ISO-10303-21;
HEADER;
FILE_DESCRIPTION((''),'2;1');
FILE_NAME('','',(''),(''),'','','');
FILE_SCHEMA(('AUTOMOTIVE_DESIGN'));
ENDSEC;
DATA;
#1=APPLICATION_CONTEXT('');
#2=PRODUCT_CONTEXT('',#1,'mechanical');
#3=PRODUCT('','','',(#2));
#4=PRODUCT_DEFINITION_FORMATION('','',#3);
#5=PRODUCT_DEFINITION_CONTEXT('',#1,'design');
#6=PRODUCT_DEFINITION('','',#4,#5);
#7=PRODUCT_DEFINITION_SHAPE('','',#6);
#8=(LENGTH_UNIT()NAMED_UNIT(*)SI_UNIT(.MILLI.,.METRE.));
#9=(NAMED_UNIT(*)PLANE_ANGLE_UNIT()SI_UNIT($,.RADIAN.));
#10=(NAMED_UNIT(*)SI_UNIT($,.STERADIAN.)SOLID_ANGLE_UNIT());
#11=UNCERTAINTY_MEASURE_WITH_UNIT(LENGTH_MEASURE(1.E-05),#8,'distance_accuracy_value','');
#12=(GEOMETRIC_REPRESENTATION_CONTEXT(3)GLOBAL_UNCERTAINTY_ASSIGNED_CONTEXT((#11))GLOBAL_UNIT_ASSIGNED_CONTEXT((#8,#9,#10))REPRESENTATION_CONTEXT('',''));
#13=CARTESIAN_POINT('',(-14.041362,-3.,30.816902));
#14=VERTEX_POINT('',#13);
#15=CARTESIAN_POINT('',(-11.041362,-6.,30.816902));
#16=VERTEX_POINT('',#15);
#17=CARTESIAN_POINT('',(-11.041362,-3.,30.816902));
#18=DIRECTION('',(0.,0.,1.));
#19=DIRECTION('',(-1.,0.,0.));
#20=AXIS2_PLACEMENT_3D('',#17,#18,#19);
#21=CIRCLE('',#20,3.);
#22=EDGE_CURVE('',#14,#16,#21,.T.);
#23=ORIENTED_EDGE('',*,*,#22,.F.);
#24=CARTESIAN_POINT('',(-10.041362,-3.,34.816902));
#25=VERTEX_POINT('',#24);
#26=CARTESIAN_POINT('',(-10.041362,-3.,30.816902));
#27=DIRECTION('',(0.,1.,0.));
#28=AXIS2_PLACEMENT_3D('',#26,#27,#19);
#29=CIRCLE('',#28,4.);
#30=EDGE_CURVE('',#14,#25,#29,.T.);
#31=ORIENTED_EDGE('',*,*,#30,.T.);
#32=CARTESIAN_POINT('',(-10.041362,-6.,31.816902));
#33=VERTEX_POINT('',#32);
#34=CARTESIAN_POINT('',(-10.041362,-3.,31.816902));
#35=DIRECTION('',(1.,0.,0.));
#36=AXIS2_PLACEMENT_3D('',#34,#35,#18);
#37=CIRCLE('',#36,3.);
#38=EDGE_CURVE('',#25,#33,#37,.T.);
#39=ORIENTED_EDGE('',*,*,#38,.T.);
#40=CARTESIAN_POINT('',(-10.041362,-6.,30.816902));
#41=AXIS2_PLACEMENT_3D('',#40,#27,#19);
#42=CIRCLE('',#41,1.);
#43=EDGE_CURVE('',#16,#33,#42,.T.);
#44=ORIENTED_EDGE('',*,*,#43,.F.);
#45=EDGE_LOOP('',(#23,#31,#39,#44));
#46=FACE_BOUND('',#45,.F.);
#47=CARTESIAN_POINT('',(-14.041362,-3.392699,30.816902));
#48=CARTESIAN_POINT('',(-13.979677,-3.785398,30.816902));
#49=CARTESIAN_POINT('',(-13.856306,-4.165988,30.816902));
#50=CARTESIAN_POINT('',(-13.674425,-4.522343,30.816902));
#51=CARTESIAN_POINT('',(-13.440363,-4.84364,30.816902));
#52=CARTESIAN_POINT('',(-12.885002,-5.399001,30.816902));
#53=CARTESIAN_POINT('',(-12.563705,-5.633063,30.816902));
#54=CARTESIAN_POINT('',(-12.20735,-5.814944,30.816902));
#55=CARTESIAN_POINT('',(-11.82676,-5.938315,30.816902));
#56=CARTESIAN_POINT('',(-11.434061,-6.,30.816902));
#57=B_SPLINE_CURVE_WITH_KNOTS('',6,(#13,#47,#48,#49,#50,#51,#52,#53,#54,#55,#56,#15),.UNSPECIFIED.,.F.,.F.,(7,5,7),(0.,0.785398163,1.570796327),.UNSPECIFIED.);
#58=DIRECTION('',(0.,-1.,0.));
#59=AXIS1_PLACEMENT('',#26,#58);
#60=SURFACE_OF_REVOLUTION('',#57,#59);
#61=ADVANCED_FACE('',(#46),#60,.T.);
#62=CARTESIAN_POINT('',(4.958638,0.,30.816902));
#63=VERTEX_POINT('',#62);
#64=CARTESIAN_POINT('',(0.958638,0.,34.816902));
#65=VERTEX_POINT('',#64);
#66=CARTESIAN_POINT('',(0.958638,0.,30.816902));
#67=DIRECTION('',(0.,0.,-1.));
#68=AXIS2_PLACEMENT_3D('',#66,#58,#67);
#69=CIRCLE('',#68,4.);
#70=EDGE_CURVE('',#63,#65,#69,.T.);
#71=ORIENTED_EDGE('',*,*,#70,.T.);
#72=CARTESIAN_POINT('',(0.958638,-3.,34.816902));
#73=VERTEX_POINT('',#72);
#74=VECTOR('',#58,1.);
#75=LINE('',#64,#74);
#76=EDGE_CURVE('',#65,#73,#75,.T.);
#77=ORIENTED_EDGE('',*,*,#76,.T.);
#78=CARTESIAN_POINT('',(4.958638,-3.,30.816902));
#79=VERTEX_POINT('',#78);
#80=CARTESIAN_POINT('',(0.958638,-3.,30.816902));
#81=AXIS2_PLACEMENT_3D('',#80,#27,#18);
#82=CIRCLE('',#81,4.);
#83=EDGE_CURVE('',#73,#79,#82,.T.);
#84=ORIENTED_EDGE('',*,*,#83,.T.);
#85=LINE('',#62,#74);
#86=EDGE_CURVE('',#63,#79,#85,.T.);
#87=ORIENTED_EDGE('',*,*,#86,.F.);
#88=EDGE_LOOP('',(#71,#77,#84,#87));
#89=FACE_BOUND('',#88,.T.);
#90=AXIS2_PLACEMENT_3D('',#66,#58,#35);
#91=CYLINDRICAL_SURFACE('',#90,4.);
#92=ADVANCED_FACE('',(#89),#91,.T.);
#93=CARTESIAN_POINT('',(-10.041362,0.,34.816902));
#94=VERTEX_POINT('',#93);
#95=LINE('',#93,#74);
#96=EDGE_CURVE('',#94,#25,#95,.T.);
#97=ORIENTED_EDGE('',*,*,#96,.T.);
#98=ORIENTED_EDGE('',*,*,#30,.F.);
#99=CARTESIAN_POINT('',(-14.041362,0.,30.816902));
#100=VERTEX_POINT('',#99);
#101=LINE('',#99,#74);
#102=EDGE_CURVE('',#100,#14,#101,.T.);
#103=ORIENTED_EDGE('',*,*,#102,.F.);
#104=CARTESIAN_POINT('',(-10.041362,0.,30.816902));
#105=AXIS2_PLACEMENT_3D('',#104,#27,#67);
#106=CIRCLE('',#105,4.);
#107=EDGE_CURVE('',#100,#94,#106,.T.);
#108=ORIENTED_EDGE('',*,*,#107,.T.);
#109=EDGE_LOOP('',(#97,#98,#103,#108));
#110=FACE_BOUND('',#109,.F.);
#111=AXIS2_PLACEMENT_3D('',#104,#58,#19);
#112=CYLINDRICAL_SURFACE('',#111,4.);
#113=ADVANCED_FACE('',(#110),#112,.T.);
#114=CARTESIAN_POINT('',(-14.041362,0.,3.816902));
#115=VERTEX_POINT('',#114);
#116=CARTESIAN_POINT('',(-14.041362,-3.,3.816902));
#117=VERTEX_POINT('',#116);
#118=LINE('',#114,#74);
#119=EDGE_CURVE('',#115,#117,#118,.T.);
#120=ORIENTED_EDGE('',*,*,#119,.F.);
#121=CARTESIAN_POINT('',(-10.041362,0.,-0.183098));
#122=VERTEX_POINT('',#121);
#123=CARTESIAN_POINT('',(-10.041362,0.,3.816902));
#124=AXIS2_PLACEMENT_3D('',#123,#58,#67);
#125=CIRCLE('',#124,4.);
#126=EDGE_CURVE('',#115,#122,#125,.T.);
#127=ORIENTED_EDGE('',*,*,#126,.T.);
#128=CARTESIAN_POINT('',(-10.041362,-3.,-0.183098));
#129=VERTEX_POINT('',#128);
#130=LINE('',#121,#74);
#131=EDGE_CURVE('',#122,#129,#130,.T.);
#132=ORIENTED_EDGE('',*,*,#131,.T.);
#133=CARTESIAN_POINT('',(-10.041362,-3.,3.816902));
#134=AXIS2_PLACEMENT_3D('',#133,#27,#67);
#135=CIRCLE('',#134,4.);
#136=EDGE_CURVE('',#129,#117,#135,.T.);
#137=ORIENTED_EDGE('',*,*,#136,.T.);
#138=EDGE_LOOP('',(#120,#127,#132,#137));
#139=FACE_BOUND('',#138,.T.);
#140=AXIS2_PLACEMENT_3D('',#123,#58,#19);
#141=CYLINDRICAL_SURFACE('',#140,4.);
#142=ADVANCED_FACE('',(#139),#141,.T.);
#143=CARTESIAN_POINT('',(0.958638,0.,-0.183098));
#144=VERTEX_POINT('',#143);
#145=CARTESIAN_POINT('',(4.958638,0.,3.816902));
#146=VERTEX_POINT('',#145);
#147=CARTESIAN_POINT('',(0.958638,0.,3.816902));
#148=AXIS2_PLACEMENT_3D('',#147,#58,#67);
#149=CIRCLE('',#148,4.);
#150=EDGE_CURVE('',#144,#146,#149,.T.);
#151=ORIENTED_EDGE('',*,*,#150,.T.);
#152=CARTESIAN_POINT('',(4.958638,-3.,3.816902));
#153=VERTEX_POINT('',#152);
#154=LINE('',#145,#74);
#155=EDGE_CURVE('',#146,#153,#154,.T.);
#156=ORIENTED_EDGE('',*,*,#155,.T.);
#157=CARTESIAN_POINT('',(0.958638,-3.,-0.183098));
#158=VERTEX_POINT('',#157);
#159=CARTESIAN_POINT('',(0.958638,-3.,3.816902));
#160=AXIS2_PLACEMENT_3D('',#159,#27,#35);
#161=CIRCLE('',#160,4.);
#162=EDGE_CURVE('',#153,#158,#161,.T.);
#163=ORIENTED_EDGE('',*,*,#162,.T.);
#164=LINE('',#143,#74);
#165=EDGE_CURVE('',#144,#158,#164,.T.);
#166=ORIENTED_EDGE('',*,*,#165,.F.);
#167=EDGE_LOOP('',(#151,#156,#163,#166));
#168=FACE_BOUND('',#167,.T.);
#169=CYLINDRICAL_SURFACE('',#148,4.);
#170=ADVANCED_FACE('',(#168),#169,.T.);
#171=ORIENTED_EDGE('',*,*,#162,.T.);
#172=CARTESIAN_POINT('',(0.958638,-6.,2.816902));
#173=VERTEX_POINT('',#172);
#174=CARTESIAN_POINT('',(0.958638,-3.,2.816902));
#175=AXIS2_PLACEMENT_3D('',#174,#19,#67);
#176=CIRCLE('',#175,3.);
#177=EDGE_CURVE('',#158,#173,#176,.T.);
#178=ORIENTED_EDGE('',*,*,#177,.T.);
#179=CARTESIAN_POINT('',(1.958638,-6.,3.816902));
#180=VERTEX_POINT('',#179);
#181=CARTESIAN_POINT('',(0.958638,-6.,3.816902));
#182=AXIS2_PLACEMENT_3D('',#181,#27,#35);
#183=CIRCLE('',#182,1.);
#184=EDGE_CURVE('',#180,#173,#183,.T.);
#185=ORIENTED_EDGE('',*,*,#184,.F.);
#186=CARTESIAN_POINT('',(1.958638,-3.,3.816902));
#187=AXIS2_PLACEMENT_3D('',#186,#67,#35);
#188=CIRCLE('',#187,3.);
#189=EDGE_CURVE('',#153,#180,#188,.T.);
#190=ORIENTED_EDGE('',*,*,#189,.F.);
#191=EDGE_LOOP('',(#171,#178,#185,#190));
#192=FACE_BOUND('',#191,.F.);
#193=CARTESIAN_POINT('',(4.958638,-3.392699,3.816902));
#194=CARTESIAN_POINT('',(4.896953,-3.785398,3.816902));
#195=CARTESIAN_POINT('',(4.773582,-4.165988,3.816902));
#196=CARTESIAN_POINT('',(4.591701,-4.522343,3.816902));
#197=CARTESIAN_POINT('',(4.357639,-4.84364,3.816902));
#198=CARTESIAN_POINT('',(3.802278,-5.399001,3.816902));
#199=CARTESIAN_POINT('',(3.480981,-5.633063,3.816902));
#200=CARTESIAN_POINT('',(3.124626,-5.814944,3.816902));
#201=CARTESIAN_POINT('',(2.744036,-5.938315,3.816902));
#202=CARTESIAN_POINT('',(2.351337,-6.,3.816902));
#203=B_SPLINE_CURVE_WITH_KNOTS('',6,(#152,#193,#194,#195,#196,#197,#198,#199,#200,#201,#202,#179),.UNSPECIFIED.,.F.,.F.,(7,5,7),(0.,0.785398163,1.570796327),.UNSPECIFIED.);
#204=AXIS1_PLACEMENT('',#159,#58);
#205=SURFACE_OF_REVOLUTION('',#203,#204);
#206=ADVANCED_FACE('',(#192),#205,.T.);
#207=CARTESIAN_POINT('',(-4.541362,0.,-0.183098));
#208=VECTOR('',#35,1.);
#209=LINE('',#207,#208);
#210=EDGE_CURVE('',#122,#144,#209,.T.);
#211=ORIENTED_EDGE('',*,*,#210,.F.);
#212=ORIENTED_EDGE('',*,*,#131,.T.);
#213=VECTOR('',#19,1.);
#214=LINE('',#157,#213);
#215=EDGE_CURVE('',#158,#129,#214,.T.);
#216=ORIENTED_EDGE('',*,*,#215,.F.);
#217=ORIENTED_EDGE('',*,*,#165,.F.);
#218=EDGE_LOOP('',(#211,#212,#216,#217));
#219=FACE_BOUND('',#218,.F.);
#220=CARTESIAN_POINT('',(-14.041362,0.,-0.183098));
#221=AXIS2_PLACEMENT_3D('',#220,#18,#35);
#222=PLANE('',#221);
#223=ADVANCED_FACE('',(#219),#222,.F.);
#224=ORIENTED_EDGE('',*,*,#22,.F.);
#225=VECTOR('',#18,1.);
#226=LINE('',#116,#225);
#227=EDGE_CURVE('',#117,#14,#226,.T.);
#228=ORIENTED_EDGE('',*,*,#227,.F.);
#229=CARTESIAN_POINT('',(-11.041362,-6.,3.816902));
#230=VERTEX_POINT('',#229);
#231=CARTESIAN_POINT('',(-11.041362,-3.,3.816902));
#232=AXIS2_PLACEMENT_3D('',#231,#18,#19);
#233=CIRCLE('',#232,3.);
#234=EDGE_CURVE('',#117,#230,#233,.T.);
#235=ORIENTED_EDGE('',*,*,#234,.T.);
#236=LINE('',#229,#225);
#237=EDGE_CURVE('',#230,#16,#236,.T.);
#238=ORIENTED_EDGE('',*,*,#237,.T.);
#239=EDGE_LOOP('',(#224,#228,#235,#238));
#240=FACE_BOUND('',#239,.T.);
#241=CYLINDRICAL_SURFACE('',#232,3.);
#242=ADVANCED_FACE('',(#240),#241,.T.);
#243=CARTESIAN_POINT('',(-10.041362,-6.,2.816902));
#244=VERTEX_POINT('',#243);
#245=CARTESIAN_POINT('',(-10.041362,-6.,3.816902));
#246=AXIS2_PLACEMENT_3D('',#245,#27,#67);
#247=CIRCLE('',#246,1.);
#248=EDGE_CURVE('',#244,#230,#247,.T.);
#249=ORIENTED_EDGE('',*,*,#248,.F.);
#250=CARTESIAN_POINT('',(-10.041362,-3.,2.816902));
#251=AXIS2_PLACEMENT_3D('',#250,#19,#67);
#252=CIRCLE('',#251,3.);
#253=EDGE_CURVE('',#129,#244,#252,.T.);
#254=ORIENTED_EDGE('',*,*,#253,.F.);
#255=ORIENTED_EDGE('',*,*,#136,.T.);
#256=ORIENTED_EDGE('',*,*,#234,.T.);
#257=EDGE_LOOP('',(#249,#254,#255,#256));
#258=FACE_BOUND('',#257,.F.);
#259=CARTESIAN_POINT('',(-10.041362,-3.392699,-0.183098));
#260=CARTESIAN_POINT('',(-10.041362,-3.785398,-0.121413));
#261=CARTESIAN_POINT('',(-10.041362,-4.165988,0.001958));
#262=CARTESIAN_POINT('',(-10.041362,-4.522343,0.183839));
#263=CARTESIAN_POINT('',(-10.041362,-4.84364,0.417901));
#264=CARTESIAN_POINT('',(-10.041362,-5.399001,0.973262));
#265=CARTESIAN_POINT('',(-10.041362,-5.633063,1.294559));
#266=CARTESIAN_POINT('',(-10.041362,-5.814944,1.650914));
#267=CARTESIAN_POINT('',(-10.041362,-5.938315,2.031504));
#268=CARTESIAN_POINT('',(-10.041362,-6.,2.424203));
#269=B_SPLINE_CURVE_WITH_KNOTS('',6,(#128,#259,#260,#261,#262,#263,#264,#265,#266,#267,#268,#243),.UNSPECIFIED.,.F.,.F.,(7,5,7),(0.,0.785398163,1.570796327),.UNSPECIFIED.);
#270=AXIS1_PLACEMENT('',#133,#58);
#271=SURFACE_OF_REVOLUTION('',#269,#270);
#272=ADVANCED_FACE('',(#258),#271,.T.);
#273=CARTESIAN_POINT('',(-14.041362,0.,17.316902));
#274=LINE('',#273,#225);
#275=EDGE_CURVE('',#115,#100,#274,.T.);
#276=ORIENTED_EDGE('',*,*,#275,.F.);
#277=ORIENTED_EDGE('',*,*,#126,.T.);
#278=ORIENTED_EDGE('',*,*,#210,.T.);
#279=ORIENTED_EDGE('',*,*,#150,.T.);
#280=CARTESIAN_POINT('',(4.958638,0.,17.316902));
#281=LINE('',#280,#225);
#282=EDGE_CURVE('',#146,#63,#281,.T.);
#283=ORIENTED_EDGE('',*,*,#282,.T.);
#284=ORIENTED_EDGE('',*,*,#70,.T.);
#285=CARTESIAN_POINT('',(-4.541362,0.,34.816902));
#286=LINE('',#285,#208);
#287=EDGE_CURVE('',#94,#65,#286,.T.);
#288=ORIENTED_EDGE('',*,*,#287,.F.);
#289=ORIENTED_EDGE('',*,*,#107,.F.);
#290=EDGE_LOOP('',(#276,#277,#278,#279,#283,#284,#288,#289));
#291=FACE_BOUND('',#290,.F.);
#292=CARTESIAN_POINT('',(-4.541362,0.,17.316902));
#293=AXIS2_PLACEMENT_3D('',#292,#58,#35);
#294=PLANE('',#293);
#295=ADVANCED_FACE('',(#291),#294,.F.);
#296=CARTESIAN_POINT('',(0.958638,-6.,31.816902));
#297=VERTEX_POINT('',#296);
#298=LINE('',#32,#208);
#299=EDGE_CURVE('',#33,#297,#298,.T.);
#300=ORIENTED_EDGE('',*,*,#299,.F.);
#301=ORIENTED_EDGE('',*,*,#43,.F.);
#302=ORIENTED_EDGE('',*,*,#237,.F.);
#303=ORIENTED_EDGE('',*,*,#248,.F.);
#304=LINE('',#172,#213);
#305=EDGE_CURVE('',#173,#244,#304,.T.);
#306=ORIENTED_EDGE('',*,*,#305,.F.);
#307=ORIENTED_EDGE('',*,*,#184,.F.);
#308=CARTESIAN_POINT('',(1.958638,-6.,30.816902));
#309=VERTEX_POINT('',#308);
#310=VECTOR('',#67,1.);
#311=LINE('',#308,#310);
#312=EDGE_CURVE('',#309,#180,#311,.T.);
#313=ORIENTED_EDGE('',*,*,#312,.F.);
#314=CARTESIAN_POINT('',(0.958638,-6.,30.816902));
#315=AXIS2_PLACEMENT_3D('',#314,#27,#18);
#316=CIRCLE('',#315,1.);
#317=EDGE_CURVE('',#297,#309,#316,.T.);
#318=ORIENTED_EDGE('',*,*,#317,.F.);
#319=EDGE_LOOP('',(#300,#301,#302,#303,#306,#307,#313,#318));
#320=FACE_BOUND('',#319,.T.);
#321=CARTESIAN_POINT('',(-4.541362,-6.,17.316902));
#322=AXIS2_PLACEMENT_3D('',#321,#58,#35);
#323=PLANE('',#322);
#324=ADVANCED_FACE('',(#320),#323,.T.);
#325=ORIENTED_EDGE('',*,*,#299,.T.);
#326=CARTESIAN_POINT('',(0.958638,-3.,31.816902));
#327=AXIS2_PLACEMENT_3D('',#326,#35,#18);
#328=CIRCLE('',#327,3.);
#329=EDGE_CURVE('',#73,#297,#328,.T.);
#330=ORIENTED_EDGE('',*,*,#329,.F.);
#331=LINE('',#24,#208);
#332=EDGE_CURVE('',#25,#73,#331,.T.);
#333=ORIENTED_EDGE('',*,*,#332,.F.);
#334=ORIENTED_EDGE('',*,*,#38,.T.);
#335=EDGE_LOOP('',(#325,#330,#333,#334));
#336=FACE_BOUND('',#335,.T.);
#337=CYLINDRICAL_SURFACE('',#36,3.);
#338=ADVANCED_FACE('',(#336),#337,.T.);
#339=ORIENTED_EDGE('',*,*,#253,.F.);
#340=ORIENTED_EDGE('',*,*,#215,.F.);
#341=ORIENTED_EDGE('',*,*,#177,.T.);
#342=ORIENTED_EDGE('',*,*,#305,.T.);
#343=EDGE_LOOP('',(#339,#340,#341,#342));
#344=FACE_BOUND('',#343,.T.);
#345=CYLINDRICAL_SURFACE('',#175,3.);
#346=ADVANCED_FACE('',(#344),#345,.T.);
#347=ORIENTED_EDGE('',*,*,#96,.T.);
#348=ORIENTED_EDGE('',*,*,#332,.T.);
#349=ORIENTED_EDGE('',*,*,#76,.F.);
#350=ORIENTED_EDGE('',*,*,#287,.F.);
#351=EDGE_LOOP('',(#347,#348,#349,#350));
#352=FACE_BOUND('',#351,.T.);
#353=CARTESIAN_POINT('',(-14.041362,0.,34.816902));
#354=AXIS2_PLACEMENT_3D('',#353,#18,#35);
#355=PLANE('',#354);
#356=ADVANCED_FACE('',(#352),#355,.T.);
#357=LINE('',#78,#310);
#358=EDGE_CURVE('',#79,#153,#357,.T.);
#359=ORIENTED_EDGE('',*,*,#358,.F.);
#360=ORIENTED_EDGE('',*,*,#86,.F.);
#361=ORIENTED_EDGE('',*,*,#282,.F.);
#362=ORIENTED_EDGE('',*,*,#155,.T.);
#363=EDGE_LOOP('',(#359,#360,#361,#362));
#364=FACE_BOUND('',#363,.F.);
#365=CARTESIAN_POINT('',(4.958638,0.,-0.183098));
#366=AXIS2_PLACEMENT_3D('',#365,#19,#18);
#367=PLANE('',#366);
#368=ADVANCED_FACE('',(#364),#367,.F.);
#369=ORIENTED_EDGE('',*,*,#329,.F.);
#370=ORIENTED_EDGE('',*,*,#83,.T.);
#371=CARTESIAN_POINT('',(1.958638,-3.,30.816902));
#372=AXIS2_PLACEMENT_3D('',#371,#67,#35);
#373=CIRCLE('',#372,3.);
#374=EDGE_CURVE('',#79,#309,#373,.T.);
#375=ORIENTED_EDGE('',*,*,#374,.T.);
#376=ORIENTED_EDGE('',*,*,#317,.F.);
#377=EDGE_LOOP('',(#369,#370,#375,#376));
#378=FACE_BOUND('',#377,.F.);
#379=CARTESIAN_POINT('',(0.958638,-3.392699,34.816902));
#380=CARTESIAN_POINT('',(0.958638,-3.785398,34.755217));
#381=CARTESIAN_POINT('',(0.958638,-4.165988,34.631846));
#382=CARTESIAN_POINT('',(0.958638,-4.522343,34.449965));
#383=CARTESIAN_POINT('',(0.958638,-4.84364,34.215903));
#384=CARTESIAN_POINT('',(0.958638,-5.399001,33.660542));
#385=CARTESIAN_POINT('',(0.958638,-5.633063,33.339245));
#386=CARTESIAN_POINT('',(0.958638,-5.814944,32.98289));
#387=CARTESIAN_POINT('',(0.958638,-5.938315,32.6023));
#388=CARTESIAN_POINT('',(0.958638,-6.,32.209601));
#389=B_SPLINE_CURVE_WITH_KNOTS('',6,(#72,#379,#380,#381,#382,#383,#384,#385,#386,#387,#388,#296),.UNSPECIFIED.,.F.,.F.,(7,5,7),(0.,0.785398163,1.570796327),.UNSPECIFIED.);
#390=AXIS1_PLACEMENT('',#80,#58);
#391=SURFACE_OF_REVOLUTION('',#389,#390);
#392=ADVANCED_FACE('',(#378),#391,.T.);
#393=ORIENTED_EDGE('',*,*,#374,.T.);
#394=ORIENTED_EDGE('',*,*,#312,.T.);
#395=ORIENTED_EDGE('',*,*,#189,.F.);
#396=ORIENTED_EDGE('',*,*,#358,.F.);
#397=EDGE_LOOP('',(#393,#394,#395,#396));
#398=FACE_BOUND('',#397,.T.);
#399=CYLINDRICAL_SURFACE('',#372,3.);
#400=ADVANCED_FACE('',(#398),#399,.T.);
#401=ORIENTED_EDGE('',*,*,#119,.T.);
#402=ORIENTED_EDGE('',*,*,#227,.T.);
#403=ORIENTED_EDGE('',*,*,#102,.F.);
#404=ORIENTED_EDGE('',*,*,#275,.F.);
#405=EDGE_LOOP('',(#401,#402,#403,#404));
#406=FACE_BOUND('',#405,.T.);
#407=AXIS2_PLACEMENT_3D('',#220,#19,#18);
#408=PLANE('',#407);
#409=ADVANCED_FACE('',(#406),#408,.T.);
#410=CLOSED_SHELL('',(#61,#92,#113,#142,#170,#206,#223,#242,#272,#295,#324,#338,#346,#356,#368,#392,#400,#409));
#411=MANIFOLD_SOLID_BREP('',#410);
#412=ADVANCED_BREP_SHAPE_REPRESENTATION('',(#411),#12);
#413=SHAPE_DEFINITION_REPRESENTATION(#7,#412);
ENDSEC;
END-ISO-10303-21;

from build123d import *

# Parameters (mm, degrees)
F0_W     = 19
F0_H     = 35
F1_DEPTH = 6
F2_R     = 4
F3_R     = 3


with BuildPart() as f1:
    # F0 (on Front) → F1 (new body)
    with BuildSketch(Plane.XZ):
        with Locations((-4.541362, 17.316902)):
            Rectangle(F0_W, F0_H)
    extrude(amount=F1_DEPTH)

    # F2
    f2_edges = [f1.edges().sort_by_distance(p)[0] for p in [
        (4.958638, -3, 34.816902),
        (4.958638, -3, -0.183098),
        (-14.041362, -3, 34.816902),
        (-14.041362, -3, -0.183098),
    ]]
    fillet(f2_edges, radius=F2_R)

    # F3
    f3_edges = [f1.edges().sort_by_distance(p)[0] for p in [
        (-14.041362, -6, 17.316902),
    ]]
    fillet(f3_edges, radius=F3_R)


solid = f1.part
